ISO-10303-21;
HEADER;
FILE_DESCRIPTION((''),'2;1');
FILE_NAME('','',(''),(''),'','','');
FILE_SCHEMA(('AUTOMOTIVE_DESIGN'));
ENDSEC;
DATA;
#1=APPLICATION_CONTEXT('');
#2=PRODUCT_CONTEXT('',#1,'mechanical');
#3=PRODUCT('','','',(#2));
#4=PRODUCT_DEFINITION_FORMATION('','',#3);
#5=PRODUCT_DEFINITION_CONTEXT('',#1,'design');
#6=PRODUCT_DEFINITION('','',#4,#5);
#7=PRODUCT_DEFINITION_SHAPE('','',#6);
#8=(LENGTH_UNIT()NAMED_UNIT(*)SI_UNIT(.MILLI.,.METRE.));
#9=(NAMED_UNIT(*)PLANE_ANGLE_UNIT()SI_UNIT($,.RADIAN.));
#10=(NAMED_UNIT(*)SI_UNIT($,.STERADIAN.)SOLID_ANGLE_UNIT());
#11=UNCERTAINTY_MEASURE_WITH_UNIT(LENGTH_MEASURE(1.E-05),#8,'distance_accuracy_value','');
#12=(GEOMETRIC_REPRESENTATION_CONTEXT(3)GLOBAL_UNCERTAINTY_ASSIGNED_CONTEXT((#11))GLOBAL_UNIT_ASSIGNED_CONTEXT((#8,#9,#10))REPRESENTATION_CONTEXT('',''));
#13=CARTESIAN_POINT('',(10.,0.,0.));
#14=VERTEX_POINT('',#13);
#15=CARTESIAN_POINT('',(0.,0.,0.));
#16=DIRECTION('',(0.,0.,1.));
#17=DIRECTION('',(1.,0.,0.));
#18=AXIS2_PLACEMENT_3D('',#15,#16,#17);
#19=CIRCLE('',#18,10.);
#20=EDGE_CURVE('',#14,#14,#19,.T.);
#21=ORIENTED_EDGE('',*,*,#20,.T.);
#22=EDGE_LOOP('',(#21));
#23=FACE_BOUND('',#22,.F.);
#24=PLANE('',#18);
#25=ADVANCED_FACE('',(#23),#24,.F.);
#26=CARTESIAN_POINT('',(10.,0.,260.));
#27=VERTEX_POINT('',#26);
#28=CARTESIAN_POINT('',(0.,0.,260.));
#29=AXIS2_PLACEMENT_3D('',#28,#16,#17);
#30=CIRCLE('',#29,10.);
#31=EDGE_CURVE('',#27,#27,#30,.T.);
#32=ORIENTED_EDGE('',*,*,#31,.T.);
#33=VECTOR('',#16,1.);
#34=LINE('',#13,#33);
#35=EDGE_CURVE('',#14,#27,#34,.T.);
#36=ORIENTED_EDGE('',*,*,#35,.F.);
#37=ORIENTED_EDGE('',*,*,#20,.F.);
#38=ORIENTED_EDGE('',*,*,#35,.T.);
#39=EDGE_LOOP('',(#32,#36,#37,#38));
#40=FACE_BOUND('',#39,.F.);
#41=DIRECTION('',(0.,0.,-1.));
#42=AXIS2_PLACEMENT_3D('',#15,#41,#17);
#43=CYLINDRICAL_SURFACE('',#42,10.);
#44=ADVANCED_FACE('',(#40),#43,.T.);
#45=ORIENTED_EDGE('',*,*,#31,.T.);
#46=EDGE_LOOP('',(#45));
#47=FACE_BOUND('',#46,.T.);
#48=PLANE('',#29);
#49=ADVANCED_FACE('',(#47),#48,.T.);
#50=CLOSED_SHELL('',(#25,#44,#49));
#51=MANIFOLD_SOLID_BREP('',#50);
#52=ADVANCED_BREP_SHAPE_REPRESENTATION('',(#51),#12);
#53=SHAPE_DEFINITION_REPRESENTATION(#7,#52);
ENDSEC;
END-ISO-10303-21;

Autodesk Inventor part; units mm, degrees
ref_plane "YZ Plane" through (0, 0, 0) normal (1, 0, 0) x (0, 1, 0)
ref_plane "XZ Plane" through (0, 0, 0) normal (0, 1, 0) x (-1, 0, 0)
ref_plane "XY Plane" through (0, 0, 0) normal (0, 0, 1) x (1, 0, 0)
sketch "Sketch1" plane through (0, 0, 0) normal (0, 0, 1) x (1, 0, 0)
  circle A0 centre (0, 0) radius 10
  dimension "d0" = 20
extrude "Extrusion1" add sketch "Sketch1" along normal blind 260
ref_plane "Work Plane1" through (0, 0, 130) normal (0, 0, 1) x (1, 0, 0)
properties part number "PasadorPreliminar"
